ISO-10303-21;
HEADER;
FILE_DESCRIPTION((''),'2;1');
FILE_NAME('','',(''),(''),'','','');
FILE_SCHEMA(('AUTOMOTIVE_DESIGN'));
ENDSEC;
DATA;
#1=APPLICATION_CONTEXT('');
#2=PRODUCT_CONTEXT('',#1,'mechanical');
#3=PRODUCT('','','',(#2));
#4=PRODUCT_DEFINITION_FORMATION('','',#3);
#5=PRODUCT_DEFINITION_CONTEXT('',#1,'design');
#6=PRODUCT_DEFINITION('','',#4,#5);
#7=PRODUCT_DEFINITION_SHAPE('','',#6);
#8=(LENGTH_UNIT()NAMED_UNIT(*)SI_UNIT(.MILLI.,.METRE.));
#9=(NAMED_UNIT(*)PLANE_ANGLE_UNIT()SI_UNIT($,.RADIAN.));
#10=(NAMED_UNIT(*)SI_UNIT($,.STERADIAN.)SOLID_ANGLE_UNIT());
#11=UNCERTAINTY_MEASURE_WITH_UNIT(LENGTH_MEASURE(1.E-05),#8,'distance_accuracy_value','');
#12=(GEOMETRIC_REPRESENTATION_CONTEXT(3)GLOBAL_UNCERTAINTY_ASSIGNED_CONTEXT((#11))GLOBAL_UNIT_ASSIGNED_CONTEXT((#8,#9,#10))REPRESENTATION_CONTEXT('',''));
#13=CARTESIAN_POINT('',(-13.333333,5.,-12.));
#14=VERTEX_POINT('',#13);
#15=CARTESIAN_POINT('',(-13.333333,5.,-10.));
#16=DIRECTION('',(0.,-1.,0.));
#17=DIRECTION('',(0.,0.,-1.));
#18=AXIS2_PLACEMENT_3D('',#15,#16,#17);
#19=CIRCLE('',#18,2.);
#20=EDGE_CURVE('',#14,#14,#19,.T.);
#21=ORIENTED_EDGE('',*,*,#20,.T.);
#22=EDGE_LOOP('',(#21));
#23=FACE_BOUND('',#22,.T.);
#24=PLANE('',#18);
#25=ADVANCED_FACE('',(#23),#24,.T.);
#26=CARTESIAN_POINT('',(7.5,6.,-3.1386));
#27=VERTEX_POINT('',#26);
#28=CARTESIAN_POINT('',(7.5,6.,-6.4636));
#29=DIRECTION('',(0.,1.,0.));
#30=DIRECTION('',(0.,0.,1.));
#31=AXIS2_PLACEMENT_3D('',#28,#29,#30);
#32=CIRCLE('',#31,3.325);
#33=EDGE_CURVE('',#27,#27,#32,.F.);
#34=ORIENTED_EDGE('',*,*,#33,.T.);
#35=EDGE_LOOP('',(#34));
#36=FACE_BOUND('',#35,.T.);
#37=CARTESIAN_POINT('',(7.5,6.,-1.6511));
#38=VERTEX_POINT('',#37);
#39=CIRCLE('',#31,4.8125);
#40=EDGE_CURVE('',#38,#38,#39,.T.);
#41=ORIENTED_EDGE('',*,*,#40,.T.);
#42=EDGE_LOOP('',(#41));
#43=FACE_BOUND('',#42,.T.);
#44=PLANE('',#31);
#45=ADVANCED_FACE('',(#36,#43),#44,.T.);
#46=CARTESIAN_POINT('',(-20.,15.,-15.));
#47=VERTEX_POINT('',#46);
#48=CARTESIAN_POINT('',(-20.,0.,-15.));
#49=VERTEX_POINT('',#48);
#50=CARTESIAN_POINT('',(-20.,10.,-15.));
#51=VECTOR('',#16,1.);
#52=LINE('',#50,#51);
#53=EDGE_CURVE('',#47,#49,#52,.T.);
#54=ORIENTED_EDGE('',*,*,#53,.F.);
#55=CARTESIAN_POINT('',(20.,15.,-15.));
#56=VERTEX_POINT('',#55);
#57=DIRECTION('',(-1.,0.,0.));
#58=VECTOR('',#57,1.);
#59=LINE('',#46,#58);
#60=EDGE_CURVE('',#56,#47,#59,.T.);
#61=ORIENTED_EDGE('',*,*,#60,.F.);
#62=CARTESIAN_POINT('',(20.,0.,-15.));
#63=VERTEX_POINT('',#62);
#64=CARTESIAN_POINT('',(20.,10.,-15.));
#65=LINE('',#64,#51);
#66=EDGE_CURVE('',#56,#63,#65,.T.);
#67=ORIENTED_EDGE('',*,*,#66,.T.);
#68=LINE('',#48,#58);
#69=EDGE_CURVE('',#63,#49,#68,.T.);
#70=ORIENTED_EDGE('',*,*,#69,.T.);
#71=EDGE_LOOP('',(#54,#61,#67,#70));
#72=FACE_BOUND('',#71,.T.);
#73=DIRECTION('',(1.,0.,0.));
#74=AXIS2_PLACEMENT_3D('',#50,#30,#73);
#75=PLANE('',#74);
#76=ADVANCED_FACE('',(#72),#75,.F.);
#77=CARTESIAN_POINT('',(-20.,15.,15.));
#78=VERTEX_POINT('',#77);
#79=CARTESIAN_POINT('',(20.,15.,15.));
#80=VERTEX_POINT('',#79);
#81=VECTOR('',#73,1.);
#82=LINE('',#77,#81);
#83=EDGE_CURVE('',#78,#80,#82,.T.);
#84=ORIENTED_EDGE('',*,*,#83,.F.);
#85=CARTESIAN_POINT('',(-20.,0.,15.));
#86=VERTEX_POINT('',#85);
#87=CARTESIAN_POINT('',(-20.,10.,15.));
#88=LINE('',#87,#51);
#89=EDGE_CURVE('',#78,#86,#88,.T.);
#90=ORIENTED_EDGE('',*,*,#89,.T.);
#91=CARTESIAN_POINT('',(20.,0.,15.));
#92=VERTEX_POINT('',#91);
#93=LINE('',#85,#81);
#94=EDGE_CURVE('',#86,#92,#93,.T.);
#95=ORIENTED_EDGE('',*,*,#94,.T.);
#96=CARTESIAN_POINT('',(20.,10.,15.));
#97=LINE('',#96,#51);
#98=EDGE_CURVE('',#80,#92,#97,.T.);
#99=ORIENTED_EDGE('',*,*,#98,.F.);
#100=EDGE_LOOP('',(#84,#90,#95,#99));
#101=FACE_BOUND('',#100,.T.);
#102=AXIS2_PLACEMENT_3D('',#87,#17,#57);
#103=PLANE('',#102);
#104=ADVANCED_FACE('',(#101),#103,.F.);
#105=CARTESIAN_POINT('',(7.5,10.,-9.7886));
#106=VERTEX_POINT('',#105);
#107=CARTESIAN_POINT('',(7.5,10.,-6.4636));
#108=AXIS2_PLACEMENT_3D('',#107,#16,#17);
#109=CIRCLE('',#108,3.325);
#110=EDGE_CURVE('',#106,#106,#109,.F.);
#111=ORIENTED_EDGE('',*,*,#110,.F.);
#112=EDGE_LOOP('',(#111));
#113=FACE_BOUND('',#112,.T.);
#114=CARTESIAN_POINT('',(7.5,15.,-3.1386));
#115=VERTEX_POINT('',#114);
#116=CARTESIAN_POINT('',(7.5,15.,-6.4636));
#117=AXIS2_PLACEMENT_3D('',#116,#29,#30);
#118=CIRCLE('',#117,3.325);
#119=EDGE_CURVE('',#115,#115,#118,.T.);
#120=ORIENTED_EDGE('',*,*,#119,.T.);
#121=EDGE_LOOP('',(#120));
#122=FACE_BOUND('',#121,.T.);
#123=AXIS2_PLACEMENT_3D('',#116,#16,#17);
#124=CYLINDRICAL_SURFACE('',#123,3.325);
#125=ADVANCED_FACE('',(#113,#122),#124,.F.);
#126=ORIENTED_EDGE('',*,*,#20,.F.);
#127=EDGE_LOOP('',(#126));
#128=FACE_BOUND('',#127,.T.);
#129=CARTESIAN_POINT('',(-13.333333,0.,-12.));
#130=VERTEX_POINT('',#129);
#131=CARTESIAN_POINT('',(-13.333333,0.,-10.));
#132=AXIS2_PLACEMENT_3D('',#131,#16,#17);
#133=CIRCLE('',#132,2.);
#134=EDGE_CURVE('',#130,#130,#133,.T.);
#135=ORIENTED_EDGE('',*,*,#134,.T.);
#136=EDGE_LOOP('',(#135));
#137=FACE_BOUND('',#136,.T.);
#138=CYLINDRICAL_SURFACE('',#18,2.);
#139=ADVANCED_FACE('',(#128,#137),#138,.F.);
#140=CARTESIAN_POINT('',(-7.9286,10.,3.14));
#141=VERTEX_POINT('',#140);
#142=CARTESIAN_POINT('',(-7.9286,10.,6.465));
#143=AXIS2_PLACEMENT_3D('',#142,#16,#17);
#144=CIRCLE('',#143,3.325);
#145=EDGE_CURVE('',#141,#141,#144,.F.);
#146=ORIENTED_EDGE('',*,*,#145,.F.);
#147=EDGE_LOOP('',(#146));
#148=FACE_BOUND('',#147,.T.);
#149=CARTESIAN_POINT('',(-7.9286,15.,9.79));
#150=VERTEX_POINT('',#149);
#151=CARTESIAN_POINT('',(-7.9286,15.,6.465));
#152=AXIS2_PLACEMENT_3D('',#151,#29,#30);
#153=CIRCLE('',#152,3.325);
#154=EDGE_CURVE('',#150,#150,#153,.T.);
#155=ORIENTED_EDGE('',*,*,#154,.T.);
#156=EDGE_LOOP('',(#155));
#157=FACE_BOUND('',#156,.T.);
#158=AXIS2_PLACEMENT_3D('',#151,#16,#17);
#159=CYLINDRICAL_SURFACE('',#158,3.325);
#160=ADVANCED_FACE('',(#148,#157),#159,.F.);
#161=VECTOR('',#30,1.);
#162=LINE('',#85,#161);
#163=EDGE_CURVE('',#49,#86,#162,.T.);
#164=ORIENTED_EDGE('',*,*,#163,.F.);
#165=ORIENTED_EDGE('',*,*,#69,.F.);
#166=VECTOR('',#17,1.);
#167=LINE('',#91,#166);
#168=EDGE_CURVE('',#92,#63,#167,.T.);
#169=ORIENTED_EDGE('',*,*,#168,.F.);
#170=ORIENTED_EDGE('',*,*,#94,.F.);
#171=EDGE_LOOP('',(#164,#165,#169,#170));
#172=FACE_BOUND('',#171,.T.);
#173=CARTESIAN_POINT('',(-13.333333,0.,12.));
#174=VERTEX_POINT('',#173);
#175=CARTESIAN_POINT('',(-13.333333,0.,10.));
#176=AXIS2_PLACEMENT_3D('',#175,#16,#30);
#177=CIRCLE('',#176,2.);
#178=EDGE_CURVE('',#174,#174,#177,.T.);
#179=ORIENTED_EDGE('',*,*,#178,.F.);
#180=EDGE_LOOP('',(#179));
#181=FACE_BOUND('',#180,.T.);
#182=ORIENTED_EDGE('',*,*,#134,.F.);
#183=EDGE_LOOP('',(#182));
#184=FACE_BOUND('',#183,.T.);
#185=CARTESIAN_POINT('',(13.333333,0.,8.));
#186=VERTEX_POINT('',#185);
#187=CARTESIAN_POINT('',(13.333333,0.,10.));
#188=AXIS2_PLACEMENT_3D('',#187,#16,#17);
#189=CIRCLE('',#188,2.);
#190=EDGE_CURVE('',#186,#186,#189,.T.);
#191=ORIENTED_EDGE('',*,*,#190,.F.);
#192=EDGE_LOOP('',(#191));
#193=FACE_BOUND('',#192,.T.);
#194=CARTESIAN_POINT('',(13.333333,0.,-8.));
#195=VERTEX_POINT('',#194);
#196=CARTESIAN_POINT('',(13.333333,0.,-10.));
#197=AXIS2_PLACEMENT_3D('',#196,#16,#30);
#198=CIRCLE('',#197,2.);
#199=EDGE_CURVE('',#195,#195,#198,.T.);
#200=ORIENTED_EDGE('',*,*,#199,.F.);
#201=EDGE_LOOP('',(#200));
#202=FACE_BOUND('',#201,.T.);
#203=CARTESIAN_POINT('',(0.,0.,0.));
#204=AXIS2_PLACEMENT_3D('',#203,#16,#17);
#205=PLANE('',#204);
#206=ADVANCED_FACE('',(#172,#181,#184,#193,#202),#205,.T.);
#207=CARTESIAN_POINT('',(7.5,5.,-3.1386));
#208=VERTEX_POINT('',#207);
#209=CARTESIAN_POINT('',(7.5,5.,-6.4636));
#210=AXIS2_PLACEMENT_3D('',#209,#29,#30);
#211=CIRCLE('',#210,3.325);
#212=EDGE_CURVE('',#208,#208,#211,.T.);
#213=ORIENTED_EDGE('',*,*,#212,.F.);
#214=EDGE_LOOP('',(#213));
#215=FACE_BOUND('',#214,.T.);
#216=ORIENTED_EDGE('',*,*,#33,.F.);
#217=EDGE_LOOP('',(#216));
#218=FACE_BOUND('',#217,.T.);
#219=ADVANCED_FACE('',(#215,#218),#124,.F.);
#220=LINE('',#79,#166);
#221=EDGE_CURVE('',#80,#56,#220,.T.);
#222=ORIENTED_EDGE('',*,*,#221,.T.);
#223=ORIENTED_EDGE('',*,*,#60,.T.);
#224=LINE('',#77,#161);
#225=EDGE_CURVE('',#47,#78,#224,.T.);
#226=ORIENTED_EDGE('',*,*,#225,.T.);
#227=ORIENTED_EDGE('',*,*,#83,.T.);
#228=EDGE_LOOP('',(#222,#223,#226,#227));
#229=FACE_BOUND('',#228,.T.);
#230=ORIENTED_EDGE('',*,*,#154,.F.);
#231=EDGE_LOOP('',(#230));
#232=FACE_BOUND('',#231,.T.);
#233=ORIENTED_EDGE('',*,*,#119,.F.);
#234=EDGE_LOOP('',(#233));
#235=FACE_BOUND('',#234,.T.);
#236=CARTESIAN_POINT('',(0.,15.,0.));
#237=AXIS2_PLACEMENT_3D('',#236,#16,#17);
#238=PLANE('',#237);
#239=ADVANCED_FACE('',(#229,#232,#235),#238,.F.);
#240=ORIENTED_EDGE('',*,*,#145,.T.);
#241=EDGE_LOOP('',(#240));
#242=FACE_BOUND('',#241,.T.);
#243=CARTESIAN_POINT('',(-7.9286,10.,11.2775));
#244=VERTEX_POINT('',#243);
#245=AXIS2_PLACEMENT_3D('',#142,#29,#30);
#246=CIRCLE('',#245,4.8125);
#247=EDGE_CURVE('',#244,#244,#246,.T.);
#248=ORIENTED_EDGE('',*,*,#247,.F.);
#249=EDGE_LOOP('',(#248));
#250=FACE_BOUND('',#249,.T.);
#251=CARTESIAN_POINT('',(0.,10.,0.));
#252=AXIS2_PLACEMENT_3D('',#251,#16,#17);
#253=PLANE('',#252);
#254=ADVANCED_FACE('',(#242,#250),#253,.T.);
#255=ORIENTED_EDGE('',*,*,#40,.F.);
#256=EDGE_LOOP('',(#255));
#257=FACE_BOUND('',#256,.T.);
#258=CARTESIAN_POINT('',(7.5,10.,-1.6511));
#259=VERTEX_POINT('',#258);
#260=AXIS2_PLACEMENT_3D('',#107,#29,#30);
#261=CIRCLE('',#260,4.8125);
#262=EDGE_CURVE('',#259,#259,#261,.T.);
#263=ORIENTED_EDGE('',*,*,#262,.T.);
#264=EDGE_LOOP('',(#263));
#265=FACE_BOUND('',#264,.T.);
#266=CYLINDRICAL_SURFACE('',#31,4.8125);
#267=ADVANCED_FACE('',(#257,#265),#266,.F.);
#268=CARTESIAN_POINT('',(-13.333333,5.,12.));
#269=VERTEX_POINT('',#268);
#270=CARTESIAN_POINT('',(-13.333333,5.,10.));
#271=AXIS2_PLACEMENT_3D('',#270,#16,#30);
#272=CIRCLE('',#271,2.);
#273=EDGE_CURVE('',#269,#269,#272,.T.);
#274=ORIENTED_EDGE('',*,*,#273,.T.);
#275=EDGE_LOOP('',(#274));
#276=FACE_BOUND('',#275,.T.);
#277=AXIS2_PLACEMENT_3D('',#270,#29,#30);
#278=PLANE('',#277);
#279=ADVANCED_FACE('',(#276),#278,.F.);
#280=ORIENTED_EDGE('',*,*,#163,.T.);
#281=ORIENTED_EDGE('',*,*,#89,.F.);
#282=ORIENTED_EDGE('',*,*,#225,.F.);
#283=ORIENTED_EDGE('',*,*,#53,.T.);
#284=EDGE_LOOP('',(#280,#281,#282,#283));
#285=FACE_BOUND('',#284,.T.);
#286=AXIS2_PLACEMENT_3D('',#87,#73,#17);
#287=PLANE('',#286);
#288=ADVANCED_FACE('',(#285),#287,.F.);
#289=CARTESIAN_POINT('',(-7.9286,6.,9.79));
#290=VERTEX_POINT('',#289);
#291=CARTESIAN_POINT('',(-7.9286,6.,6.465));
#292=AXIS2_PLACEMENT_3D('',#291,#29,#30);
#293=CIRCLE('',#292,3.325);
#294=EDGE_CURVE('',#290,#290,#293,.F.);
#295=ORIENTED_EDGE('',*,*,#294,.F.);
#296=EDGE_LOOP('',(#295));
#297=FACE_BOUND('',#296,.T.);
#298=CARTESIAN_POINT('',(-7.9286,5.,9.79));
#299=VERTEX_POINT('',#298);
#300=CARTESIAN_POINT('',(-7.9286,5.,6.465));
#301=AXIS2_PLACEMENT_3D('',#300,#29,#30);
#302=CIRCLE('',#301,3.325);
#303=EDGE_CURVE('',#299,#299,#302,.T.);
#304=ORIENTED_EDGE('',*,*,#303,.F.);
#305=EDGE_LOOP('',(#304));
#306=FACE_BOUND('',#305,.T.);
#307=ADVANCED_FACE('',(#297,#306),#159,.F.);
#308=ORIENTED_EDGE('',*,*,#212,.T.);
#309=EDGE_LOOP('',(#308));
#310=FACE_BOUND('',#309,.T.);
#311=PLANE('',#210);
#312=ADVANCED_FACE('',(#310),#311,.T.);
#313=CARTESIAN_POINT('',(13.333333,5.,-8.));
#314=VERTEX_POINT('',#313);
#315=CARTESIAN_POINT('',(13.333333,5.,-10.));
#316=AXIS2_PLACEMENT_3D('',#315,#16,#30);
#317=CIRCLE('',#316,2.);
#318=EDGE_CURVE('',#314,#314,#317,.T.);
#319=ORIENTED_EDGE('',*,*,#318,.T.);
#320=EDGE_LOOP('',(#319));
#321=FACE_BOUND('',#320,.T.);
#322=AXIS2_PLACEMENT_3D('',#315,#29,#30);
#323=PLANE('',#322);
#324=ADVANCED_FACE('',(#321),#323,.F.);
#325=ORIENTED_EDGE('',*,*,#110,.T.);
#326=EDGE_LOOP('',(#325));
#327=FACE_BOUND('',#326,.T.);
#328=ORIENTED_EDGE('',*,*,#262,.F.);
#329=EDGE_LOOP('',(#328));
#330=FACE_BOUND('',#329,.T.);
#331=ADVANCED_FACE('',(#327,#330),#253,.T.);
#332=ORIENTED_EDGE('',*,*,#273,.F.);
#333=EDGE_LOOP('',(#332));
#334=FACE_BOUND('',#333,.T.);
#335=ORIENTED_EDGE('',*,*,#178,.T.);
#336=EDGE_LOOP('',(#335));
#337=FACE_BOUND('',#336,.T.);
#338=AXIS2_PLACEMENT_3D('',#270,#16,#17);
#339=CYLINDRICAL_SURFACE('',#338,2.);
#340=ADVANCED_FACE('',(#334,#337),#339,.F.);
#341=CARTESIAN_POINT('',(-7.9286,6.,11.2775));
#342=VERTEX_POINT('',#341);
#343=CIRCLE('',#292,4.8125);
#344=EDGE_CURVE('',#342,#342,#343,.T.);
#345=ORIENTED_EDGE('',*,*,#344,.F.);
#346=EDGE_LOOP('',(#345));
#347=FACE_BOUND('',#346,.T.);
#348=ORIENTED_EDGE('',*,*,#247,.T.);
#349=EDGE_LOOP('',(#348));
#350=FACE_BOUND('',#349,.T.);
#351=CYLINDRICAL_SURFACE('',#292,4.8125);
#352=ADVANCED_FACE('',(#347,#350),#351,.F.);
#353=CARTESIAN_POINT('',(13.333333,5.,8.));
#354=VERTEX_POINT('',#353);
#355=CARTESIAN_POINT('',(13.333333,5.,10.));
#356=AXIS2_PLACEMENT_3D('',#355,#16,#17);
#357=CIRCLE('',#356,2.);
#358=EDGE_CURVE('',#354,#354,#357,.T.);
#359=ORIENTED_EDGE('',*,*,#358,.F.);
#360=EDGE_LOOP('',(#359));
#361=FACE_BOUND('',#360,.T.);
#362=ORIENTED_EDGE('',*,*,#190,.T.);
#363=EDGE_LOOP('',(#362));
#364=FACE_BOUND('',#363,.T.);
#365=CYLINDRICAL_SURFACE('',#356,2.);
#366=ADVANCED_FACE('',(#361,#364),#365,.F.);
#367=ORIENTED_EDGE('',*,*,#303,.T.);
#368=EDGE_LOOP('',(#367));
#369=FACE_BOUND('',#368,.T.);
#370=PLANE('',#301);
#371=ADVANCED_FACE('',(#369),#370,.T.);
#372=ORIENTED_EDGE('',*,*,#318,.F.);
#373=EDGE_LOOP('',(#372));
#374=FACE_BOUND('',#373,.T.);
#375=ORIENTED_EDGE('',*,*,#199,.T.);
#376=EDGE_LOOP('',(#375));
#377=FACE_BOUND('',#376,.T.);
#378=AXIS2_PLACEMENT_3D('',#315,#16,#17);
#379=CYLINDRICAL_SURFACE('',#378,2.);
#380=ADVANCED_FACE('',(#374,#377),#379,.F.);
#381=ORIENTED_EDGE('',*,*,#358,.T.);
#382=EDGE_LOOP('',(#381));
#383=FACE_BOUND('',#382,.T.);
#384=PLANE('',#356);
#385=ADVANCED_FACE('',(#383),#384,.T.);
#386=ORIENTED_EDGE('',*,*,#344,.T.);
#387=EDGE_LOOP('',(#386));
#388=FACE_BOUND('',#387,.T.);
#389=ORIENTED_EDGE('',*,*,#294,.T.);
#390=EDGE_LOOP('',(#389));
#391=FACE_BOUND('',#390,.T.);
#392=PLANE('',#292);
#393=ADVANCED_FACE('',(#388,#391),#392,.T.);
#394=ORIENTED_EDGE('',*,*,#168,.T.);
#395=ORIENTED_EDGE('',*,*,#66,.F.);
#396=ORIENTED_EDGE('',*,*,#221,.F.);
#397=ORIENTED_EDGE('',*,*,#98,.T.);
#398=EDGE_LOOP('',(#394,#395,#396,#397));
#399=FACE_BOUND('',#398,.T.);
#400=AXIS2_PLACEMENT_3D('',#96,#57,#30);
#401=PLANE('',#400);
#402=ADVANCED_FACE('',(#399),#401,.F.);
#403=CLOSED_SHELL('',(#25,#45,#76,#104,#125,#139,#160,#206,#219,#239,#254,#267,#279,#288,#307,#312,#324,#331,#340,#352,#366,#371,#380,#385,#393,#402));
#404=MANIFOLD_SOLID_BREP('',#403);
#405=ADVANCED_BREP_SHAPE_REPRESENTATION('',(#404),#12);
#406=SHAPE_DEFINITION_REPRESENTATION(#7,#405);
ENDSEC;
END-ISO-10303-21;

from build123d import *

# Parameters (mm, degrees)
SKETCH1_W               = 40
SKETCH1_H               = 30
BOSS_EXTRUDE1_DEPTH     = 10
SKETCH2_R               = 2
CUT_EXTRUDE1_DEPTH      = 5
SKETCH3_R               = 4.8125
CUT_EXTRUDE2_DEPTH      = 4
SKETCH5_W               = 40
SKETCH5_H               = 30
BOSS_EXTRUDE2_DEPTH     = 5
CUT_EXTRUDE3_DEPTH      = 27.570660511
CUT_EXTRUDE3_DEPTH_BACK = 1
SKETCH4_R               = 3.325


with BuildPart() as part:
    # Sketch1 → Boss-Extrude1 (new body)
    with BuildSketch(Plane(origin=(0, 0, 0), x_dir=(1, 0, 0), z_dir=(0, 1, 0))):
        Rectangle(SKETCH1_W, SKETCH1_H)
    extrude(amount=BOSS_EXTRUDE1_DEPTH)

    # Sketch2 → Cut-Extrude1 (cut)
    with BuildSketch(Plane(origin=(0, 0, 0), x_dir=(-1, 0, 0), z_dir=(0, -1, 0))):
        with Locations(Location((-13.333333333, -10, 0), (0, 0, 90))):
            Circle(SKETCH2_R)
        with Locations(Location((13.333333333, -10, 0), (0, 0, 270))):
            Circle(SKETCH2_R)
        with Locations(Location((-13.333333333, 10, 0), (0, 0, 270))):
            Circle(SKETCH2_R)
        with Locations(Location((13.333333333, 10, 0), (0, 0, 90))):
            Circle(SKETCH2_R)
    extrude(amount=-CUT_EXTRUDE1_DEPTH, mode=Mode.SUBTRACT)

    # Sketch3 → Cut-Extrude2 (cut)
    with BuildSketch(Plane(origin=(0, 10, 0), x_dir=(1, 0, 0), z_dir=(0, 1, 0))):
        with Locations(Location((-7.9286, -6.465, 0), (0, 0, 270))):
            Circle(SKETCH3_R)
        with Locations(Location((7.5, 6.4636, 0), (0, 0, 270))):
            Circle(SKETCH3_R)
    extrude(amount=-CUT_EXTRUDE2_DEPTH, mode=Mode.SUBTRACT)

    # Sketch5 → Boss-Extrude2 (add)
    with BuildSketch(Plane(origin=(0, 10, 0), x_dir=(1, 0, 0), z_dir=(0, 1, 0))):
        Rectangle(SKETCH5_W, SKETCH5_H)
    extrude(amount=BOSS_EXTRUDE2_DEPTH)

    # Sketch4 → Cut-Extrude3 (cut, two sides: drawn at the far end of the back side and taken through both)
    with BuildSketch(Plane(origin=(0, 6, 0), x_dir=(1, 0, 0), z_dir=(0, 1, 0)).offset(-CUT_EXTRUDE3_DEPTH_BACK)):
        with Locations(Location((-7.9286, -6.465, 0), (0, 0, 90))):
            Circle(SKETCH4_R)
        with Locations(Location((7.5, 6.4636, 0), (0, 0, 90))):
            Circle(SKETCH4_R)
    extrude(amount=CUT_EXTRUDE3_DEPTH + CUT_EXTRUDE3_DEPTH_BACK, mode=Mode.SUBTRACT)


solid = part.part
